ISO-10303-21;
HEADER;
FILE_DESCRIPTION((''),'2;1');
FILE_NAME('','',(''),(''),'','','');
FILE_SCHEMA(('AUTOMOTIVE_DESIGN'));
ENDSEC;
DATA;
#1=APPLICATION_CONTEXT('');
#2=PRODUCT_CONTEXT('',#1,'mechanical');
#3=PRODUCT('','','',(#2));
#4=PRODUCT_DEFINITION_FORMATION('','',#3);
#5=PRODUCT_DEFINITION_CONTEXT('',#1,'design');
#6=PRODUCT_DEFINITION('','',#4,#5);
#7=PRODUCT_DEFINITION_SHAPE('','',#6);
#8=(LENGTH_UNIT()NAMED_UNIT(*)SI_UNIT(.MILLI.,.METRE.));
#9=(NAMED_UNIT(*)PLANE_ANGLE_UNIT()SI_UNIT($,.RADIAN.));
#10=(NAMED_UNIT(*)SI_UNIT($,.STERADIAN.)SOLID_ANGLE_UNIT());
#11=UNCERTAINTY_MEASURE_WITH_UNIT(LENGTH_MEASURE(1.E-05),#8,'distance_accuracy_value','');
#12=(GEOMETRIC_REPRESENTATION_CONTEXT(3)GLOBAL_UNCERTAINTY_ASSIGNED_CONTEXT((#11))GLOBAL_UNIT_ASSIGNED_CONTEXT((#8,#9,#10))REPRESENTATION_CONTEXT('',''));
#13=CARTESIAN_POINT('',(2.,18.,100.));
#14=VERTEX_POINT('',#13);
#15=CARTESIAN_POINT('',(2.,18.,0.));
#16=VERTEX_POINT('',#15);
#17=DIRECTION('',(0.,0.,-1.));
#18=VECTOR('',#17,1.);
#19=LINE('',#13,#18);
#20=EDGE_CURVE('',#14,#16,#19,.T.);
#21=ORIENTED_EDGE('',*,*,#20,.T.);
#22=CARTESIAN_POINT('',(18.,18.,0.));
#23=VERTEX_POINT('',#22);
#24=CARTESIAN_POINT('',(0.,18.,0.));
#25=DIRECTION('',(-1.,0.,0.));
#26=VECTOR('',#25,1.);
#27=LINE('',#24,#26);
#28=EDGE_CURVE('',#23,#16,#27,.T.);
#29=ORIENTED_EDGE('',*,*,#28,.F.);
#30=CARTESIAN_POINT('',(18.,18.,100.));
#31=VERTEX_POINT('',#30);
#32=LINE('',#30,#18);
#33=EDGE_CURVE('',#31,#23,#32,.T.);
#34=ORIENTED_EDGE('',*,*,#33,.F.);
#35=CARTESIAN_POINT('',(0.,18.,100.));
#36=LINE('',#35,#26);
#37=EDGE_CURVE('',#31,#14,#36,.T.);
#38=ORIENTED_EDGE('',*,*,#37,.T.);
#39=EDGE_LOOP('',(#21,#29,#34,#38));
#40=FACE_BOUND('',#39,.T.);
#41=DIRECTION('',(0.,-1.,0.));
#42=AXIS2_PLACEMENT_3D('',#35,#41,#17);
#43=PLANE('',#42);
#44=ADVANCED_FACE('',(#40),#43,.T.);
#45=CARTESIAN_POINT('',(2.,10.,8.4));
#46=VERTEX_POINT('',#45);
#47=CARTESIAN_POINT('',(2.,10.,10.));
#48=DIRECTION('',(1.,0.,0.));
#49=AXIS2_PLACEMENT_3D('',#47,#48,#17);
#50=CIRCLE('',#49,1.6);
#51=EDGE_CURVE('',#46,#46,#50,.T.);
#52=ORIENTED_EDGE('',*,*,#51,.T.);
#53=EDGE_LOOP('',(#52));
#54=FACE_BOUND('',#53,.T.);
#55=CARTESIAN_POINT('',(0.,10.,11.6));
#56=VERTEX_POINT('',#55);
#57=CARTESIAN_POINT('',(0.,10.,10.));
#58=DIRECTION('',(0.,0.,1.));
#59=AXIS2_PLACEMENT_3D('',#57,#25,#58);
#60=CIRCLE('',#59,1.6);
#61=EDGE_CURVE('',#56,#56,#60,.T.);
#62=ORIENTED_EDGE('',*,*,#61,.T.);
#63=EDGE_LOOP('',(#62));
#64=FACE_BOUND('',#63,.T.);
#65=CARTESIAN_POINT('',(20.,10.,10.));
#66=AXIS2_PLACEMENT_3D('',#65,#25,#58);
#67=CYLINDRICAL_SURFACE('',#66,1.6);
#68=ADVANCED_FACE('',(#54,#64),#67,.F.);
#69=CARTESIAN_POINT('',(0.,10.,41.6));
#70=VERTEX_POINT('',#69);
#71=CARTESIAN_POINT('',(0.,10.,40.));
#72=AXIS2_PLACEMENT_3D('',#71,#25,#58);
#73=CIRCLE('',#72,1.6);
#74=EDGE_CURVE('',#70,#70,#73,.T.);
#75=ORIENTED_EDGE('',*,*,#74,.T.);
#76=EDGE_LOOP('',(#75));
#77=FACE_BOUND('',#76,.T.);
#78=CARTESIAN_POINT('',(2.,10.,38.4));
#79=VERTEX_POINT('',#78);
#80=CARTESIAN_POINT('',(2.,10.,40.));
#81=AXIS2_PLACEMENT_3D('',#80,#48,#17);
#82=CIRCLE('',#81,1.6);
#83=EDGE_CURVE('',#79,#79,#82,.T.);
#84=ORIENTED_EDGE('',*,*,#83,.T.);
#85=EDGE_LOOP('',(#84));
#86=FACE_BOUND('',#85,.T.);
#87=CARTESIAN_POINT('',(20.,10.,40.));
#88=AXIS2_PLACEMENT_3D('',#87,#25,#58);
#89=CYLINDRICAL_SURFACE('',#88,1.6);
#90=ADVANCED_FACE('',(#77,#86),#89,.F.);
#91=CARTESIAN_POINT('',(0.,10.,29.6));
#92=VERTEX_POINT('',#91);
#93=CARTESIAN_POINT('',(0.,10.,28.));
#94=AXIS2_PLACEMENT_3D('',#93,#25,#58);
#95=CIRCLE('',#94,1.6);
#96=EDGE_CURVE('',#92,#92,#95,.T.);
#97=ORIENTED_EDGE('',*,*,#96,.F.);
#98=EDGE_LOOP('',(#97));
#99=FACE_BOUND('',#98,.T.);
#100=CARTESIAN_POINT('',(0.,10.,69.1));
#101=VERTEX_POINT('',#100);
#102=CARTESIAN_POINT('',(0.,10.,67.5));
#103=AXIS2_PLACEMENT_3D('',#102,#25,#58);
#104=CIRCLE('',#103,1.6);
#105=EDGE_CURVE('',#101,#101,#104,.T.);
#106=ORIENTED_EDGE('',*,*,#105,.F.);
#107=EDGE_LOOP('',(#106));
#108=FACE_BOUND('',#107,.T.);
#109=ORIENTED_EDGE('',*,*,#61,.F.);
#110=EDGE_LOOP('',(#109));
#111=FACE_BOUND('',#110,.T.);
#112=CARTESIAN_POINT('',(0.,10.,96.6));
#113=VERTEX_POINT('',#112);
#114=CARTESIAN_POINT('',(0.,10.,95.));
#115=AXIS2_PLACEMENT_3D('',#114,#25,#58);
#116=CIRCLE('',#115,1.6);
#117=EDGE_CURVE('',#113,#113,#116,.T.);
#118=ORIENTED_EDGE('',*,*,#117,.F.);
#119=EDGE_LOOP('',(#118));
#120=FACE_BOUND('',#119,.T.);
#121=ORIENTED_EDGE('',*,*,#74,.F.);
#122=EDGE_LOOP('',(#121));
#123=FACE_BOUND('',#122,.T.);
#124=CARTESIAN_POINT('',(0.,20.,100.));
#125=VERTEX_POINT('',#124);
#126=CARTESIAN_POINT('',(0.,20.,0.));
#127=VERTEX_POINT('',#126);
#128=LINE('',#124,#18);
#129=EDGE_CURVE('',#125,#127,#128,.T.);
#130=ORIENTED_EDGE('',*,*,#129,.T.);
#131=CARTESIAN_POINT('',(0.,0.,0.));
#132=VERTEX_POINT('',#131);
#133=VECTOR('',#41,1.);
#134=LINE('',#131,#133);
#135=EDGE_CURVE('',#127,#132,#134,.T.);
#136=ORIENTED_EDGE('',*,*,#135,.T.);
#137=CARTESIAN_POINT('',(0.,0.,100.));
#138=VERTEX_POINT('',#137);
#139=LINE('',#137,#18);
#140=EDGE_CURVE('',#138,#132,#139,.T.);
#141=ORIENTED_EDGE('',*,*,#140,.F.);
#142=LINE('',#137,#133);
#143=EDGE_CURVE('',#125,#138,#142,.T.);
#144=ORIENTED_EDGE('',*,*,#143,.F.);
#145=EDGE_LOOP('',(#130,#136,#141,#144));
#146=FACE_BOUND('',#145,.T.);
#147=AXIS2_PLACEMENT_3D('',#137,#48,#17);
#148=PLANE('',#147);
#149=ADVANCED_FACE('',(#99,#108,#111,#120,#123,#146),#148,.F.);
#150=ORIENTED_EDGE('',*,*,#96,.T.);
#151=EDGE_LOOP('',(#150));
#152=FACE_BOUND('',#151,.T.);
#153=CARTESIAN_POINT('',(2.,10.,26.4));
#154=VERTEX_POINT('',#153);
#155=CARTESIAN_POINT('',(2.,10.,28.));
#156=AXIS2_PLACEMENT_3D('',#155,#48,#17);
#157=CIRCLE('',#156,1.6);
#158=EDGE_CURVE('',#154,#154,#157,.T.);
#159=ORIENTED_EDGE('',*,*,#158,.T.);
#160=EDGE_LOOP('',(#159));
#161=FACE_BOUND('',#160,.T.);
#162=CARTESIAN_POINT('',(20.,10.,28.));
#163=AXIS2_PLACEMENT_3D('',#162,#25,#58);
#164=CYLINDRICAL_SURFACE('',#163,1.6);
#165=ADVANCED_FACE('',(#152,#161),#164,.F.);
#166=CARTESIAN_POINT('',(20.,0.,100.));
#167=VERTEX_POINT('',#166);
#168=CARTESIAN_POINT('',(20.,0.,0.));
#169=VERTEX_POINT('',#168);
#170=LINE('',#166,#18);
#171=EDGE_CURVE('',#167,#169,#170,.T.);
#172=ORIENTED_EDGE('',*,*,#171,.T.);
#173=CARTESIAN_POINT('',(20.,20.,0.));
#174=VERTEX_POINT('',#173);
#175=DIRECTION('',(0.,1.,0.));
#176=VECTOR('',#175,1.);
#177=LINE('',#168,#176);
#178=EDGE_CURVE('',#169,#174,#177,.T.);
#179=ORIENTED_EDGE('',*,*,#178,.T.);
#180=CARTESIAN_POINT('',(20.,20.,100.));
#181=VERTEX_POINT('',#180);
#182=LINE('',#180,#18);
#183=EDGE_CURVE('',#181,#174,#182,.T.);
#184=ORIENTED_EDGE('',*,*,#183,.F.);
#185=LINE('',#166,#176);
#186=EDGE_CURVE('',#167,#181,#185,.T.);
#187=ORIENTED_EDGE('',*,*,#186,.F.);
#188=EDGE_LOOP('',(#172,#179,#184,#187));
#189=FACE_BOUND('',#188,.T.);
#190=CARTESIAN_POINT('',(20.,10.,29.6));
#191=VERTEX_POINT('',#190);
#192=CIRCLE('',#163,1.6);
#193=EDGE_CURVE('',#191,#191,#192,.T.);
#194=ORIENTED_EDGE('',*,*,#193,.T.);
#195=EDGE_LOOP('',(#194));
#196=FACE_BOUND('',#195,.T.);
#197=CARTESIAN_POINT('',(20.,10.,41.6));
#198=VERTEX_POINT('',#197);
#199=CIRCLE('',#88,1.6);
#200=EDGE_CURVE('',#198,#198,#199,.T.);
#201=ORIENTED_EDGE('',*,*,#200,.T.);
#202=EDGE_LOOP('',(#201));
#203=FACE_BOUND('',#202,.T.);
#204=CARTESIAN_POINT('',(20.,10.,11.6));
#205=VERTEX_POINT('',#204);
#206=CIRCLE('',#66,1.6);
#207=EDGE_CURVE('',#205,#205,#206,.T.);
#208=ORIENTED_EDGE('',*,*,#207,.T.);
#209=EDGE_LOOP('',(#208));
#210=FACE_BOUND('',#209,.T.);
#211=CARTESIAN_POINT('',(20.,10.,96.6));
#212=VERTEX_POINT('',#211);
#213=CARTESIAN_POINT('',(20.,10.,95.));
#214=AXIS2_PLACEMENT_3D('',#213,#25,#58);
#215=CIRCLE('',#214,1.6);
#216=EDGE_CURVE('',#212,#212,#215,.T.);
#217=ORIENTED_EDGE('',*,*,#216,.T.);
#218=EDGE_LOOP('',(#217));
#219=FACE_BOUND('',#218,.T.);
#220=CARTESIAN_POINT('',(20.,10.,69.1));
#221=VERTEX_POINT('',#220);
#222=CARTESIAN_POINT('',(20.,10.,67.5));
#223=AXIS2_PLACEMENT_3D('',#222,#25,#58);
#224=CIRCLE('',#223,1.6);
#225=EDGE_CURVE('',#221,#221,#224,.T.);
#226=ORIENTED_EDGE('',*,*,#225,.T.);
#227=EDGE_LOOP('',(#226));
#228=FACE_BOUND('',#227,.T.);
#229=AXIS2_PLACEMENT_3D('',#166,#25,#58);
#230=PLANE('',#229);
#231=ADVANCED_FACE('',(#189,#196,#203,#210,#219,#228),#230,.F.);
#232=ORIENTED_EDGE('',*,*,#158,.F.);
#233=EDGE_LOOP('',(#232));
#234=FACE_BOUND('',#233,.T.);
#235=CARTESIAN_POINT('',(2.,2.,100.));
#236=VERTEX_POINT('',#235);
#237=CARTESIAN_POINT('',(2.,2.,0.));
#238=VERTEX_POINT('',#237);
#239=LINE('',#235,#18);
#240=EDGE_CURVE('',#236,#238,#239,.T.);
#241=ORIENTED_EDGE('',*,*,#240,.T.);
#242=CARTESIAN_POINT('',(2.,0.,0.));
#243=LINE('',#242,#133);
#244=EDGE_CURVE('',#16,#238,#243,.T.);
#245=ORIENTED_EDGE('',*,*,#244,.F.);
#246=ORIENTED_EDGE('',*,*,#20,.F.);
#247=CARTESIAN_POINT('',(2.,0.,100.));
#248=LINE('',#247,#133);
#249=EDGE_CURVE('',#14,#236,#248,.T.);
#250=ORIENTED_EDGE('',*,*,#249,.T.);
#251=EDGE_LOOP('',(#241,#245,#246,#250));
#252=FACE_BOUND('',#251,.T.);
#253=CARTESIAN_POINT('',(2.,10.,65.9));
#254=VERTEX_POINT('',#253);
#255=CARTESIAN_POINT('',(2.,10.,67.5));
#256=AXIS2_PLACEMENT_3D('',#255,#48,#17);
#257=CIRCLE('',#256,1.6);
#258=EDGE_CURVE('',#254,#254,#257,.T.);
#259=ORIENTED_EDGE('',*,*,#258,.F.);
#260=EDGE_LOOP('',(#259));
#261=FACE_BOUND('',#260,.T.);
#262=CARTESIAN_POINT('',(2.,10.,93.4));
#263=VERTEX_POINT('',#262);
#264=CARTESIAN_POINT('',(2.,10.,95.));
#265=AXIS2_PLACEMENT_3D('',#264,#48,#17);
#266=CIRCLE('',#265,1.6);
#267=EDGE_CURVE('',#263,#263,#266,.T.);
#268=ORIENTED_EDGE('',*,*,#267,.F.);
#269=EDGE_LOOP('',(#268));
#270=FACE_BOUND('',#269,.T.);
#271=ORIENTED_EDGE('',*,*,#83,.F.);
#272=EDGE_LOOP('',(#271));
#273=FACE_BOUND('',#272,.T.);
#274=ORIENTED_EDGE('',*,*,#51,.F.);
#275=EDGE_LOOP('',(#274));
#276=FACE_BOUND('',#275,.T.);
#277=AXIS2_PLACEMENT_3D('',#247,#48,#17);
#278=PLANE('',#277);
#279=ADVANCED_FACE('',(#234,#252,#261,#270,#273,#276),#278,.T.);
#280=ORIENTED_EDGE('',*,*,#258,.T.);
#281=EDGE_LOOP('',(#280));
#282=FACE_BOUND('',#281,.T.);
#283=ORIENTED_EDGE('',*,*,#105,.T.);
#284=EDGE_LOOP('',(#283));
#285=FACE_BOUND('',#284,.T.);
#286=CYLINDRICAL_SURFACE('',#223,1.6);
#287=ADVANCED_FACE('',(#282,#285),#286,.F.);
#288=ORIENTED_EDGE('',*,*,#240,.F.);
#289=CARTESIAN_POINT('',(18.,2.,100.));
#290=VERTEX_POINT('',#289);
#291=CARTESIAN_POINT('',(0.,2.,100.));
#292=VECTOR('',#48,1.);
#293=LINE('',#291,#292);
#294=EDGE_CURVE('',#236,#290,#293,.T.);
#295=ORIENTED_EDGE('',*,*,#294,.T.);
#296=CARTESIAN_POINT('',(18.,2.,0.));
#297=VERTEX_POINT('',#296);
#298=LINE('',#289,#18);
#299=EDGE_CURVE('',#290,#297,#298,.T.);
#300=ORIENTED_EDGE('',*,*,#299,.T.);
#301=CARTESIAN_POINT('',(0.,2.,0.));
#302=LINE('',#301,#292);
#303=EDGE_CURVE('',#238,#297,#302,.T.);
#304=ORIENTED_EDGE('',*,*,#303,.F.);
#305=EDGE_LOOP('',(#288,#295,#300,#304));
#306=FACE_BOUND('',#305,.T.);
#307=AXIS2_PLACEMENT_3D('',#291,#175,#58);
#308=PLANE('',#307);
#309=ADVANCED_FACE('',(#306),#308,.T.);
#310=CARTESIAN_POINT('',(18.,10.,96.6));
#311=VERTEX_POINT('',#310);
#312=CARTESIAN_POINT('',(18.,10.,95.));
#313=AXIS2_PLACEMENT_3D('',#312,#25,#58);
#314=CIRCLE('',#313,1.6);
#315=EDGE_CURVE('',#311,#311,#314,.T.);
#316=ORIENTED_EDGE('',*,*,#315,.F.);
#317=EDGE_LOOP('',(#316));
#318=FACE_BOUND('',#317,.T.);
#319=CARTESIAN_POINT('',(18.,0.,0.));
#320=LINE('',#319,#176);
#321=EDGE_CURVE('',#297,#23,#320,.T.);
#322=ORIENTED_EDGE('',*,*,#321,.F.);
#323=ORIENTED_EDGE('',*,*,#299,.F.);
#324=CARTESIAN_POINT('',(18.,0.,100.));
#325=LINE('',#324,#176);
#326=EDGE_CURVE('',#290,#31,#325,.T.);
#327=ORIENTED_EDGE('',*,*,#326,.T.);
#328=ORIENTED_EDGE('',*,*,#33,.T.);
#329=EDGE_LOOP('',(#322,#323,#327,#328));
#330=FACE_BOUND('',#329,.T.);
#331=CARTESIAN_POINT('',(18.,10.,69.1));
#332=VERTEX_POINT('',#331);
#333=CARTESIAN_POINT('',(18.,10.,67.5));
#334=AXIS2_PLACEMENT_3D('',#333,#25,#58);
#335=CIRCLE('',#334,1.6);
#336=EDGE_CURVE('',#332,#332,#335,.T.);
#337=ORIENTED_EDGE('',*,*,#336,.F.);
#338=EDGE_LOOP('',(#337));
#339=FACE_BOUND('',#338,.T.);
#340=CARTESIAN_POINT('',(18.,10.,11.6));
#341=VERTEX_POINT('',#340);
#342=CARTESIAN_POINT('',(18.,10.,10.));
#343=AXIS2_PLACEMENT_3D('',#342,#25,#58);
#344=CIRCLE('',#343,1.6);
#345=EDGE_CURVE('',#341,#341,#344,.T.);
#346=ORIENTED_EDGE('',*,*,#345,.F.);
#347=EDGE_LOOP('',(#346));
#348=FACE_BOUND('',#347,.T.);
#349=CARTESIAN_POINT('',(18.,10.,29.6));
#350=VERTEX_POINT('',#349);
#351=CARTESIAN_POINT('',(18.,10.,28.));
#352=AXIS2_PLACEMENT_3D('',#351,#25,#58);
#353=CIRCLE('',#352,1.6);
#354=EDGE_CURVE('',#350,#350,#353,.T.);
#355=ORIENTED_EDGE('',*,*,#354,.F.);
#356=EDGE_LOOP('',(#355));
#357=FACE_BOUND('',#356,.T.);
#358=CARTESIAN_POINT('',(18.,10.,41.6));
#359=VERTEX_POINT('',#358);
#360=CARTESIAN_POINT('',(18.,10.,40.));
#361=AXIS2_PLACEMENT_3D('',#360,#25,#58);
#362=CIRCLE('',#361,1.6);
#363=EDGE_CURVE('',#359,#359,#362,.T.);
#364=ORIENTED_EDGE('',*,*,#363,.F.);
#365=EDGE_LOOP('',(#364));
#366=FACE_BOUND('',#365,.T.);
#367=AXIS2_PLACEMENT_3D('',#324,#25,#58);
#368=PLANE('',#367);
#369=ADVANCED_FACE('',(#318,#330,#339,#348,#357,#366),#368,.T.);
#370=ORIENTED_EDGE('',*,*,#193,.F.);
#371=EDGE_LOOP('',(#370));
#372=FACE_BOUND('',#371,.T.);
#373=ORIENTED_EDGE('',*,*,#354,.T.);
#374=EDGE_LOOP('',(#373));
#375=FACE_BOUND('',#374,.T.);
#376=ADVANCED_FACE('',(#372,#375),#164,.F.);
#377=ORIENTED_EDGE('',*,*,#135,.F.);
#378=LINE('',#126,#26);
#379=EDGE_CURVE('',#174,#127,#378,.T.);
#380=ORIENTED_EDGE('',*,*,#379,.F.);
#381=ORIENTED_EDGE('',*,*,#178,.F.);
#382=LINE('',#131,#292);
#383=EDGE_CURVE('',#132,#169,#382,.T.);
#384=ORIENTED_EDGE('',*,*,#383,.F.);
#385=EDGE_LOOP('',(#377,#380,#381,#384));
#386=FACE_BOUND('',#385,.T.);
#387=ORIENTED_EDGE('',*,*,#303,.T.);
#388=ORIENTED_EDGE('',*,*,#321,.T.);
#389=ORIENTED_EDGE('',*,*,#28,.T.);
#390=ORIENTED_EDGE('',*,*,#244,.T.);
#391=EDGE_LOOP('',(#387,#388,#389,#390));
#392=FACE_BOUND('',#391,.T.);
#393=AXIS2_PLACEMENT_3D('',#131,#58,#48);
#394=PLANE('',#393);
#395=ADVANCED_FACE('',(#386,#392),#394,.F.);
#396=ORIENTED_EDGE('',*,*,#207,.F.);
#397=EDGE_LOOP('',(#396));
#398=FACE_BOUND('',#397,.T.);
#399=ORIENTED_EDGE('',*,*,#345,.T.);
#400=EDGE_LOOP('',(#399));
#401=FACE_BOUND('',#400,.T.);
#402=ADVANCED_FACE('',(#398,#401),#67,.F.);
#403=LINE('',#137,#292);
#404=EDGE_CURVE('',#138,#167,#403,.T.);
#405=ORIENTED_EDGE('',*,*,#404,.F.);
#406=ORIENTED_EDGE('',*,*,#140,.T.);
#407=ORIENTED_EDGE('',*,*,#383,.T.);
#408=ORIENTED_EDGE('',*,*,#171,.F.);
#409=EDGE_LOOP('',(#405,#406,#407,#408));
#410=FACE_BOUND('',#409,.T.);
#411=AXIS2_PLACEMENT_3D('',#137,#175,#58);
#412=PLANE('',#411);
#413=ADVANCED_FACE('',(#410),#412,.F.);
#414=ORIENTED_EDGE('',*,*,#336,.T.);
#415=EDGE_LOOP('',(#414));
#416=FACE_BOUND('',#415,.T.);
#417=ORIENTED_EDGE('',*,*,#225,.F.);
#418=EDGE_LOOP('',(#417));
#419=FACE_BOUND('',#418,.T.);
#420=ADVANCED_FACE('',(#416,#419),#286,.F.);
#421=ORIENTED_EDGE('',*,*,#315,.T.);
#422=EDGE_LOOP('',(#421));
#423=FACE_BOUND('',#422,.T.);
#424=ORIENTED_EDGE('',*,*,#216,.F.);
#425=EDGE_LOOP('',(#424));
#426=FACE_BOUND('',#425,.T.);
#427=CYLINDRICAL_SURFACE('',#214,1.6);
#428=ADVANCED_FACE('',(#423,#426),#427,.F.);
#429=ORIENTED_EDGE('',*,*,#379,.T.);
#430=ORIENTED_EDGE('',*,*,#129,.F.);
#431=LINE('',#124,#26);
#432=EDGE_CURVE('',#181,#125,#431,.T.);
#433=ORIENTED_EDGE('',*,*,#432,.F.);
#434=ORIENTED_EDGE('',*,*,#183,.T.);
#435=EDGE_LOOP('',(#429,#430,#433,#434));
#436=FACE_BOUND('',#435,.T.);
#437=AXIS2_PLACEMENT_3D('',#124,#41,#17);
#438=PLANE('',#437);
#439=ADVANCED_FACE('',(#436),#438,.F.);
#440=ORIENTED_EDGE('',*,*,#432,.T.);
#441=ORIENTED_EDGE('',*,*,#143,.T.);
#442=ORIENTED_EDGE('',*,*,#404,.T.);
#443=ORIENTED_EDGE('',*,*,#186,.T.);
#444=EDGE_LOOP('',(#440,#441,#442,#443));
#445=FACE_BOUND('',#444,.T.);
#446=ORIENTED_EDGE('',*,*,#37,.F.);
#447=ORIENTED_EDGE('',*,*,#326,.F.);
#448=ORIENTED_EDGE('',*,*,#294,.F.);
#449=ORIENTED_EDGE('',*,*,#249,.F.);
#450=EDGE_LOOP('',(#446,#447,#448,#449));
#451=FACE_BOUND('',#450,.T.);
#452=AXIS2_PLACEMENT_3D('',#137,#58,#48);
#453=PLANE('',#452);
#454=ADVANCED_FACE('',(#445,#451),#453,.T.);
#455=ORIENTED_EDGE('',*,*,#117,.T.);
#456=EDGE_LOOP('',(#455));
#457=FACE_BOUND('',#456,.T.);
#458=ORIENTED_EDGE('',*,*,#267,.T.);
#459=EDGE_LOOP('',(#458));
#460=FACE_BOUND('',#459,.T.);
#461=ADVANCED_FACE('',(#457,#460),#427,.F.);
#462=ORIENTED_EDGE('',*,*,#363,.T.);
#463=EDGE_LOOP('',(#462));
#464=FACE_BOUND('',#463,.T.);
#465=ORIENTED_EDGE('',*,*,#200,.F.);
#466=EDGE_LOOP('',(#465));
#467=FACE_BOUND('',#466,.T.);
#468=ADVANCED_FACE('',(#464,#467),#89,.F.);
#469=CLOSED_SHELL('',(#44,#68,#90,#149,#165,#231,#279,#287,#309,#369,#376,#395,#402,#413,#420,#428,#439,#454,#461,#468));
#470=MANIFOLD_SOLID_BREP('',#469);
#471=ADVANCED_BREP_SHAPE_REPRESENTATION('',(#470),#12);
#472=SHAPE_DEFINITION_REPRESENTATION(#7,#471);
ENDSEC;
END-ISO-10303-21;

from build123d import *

# Parameters (mm, degrees)
SKETCH_1_W          = 20
SKETCH_1_H          = 20
SKETCH_1_W_2        = 16
SKETCH_1_H_2        = 16
EXTRUDE_1_DEPTH     = 100
SKETCH_2_R          = 1.6
CUT_EXTRUDE_1_DEPTH = 104.923048454
SKETCH_3_R          = 1.6
CUT_EXTRUDE_2_DEPTH = 104.923048454


with BuildPart() as part:
    # 草图1 → 拉伸-薄壁1 (new body)
    with BuildSketch(Plane.XY):
        with Locations((10, 10)):
            Rectangle(SKETCH_1_W, SKETCH_1_H)
        with Locations((10, 10)):
            Rectangle(SKETCH_1_W_2, SKETCH_1_H_2, mode=Mode.SUBTRACT)
    extrude(amount=EXTRUDE_1_DEPTH)

    # 草图2 → 切除-拉伸1 (cut, through all)
    with BuildSketch(Plane.ZY):
        with Locations((10, 10)):
            Circle(SKETCH_2_R)
        with Locations((28, 10)):
            Circle(SKETCH_2_R)
    extrude(amount=-CUT_EXTRUDE_1_DEPTH, mode=Mode.SUBTRACT)

    # 草图3 → 切除-拉伸2 (cut, through all)
    with BuildSketch(Plane.ZY):
        with Locations((67.5, 10)):
            Circle(SKETCH_3_R)
        with Locations((40, 10)):
            Circle(SKETCH_3_R)
        with Locations((95, 10)):
            Circle(SKETCH_3_R)
    extrude(amount=-CUT_EXTRUDE_2_DEPTH, mode=Mode.SUBTRACT)


solid = part.part
